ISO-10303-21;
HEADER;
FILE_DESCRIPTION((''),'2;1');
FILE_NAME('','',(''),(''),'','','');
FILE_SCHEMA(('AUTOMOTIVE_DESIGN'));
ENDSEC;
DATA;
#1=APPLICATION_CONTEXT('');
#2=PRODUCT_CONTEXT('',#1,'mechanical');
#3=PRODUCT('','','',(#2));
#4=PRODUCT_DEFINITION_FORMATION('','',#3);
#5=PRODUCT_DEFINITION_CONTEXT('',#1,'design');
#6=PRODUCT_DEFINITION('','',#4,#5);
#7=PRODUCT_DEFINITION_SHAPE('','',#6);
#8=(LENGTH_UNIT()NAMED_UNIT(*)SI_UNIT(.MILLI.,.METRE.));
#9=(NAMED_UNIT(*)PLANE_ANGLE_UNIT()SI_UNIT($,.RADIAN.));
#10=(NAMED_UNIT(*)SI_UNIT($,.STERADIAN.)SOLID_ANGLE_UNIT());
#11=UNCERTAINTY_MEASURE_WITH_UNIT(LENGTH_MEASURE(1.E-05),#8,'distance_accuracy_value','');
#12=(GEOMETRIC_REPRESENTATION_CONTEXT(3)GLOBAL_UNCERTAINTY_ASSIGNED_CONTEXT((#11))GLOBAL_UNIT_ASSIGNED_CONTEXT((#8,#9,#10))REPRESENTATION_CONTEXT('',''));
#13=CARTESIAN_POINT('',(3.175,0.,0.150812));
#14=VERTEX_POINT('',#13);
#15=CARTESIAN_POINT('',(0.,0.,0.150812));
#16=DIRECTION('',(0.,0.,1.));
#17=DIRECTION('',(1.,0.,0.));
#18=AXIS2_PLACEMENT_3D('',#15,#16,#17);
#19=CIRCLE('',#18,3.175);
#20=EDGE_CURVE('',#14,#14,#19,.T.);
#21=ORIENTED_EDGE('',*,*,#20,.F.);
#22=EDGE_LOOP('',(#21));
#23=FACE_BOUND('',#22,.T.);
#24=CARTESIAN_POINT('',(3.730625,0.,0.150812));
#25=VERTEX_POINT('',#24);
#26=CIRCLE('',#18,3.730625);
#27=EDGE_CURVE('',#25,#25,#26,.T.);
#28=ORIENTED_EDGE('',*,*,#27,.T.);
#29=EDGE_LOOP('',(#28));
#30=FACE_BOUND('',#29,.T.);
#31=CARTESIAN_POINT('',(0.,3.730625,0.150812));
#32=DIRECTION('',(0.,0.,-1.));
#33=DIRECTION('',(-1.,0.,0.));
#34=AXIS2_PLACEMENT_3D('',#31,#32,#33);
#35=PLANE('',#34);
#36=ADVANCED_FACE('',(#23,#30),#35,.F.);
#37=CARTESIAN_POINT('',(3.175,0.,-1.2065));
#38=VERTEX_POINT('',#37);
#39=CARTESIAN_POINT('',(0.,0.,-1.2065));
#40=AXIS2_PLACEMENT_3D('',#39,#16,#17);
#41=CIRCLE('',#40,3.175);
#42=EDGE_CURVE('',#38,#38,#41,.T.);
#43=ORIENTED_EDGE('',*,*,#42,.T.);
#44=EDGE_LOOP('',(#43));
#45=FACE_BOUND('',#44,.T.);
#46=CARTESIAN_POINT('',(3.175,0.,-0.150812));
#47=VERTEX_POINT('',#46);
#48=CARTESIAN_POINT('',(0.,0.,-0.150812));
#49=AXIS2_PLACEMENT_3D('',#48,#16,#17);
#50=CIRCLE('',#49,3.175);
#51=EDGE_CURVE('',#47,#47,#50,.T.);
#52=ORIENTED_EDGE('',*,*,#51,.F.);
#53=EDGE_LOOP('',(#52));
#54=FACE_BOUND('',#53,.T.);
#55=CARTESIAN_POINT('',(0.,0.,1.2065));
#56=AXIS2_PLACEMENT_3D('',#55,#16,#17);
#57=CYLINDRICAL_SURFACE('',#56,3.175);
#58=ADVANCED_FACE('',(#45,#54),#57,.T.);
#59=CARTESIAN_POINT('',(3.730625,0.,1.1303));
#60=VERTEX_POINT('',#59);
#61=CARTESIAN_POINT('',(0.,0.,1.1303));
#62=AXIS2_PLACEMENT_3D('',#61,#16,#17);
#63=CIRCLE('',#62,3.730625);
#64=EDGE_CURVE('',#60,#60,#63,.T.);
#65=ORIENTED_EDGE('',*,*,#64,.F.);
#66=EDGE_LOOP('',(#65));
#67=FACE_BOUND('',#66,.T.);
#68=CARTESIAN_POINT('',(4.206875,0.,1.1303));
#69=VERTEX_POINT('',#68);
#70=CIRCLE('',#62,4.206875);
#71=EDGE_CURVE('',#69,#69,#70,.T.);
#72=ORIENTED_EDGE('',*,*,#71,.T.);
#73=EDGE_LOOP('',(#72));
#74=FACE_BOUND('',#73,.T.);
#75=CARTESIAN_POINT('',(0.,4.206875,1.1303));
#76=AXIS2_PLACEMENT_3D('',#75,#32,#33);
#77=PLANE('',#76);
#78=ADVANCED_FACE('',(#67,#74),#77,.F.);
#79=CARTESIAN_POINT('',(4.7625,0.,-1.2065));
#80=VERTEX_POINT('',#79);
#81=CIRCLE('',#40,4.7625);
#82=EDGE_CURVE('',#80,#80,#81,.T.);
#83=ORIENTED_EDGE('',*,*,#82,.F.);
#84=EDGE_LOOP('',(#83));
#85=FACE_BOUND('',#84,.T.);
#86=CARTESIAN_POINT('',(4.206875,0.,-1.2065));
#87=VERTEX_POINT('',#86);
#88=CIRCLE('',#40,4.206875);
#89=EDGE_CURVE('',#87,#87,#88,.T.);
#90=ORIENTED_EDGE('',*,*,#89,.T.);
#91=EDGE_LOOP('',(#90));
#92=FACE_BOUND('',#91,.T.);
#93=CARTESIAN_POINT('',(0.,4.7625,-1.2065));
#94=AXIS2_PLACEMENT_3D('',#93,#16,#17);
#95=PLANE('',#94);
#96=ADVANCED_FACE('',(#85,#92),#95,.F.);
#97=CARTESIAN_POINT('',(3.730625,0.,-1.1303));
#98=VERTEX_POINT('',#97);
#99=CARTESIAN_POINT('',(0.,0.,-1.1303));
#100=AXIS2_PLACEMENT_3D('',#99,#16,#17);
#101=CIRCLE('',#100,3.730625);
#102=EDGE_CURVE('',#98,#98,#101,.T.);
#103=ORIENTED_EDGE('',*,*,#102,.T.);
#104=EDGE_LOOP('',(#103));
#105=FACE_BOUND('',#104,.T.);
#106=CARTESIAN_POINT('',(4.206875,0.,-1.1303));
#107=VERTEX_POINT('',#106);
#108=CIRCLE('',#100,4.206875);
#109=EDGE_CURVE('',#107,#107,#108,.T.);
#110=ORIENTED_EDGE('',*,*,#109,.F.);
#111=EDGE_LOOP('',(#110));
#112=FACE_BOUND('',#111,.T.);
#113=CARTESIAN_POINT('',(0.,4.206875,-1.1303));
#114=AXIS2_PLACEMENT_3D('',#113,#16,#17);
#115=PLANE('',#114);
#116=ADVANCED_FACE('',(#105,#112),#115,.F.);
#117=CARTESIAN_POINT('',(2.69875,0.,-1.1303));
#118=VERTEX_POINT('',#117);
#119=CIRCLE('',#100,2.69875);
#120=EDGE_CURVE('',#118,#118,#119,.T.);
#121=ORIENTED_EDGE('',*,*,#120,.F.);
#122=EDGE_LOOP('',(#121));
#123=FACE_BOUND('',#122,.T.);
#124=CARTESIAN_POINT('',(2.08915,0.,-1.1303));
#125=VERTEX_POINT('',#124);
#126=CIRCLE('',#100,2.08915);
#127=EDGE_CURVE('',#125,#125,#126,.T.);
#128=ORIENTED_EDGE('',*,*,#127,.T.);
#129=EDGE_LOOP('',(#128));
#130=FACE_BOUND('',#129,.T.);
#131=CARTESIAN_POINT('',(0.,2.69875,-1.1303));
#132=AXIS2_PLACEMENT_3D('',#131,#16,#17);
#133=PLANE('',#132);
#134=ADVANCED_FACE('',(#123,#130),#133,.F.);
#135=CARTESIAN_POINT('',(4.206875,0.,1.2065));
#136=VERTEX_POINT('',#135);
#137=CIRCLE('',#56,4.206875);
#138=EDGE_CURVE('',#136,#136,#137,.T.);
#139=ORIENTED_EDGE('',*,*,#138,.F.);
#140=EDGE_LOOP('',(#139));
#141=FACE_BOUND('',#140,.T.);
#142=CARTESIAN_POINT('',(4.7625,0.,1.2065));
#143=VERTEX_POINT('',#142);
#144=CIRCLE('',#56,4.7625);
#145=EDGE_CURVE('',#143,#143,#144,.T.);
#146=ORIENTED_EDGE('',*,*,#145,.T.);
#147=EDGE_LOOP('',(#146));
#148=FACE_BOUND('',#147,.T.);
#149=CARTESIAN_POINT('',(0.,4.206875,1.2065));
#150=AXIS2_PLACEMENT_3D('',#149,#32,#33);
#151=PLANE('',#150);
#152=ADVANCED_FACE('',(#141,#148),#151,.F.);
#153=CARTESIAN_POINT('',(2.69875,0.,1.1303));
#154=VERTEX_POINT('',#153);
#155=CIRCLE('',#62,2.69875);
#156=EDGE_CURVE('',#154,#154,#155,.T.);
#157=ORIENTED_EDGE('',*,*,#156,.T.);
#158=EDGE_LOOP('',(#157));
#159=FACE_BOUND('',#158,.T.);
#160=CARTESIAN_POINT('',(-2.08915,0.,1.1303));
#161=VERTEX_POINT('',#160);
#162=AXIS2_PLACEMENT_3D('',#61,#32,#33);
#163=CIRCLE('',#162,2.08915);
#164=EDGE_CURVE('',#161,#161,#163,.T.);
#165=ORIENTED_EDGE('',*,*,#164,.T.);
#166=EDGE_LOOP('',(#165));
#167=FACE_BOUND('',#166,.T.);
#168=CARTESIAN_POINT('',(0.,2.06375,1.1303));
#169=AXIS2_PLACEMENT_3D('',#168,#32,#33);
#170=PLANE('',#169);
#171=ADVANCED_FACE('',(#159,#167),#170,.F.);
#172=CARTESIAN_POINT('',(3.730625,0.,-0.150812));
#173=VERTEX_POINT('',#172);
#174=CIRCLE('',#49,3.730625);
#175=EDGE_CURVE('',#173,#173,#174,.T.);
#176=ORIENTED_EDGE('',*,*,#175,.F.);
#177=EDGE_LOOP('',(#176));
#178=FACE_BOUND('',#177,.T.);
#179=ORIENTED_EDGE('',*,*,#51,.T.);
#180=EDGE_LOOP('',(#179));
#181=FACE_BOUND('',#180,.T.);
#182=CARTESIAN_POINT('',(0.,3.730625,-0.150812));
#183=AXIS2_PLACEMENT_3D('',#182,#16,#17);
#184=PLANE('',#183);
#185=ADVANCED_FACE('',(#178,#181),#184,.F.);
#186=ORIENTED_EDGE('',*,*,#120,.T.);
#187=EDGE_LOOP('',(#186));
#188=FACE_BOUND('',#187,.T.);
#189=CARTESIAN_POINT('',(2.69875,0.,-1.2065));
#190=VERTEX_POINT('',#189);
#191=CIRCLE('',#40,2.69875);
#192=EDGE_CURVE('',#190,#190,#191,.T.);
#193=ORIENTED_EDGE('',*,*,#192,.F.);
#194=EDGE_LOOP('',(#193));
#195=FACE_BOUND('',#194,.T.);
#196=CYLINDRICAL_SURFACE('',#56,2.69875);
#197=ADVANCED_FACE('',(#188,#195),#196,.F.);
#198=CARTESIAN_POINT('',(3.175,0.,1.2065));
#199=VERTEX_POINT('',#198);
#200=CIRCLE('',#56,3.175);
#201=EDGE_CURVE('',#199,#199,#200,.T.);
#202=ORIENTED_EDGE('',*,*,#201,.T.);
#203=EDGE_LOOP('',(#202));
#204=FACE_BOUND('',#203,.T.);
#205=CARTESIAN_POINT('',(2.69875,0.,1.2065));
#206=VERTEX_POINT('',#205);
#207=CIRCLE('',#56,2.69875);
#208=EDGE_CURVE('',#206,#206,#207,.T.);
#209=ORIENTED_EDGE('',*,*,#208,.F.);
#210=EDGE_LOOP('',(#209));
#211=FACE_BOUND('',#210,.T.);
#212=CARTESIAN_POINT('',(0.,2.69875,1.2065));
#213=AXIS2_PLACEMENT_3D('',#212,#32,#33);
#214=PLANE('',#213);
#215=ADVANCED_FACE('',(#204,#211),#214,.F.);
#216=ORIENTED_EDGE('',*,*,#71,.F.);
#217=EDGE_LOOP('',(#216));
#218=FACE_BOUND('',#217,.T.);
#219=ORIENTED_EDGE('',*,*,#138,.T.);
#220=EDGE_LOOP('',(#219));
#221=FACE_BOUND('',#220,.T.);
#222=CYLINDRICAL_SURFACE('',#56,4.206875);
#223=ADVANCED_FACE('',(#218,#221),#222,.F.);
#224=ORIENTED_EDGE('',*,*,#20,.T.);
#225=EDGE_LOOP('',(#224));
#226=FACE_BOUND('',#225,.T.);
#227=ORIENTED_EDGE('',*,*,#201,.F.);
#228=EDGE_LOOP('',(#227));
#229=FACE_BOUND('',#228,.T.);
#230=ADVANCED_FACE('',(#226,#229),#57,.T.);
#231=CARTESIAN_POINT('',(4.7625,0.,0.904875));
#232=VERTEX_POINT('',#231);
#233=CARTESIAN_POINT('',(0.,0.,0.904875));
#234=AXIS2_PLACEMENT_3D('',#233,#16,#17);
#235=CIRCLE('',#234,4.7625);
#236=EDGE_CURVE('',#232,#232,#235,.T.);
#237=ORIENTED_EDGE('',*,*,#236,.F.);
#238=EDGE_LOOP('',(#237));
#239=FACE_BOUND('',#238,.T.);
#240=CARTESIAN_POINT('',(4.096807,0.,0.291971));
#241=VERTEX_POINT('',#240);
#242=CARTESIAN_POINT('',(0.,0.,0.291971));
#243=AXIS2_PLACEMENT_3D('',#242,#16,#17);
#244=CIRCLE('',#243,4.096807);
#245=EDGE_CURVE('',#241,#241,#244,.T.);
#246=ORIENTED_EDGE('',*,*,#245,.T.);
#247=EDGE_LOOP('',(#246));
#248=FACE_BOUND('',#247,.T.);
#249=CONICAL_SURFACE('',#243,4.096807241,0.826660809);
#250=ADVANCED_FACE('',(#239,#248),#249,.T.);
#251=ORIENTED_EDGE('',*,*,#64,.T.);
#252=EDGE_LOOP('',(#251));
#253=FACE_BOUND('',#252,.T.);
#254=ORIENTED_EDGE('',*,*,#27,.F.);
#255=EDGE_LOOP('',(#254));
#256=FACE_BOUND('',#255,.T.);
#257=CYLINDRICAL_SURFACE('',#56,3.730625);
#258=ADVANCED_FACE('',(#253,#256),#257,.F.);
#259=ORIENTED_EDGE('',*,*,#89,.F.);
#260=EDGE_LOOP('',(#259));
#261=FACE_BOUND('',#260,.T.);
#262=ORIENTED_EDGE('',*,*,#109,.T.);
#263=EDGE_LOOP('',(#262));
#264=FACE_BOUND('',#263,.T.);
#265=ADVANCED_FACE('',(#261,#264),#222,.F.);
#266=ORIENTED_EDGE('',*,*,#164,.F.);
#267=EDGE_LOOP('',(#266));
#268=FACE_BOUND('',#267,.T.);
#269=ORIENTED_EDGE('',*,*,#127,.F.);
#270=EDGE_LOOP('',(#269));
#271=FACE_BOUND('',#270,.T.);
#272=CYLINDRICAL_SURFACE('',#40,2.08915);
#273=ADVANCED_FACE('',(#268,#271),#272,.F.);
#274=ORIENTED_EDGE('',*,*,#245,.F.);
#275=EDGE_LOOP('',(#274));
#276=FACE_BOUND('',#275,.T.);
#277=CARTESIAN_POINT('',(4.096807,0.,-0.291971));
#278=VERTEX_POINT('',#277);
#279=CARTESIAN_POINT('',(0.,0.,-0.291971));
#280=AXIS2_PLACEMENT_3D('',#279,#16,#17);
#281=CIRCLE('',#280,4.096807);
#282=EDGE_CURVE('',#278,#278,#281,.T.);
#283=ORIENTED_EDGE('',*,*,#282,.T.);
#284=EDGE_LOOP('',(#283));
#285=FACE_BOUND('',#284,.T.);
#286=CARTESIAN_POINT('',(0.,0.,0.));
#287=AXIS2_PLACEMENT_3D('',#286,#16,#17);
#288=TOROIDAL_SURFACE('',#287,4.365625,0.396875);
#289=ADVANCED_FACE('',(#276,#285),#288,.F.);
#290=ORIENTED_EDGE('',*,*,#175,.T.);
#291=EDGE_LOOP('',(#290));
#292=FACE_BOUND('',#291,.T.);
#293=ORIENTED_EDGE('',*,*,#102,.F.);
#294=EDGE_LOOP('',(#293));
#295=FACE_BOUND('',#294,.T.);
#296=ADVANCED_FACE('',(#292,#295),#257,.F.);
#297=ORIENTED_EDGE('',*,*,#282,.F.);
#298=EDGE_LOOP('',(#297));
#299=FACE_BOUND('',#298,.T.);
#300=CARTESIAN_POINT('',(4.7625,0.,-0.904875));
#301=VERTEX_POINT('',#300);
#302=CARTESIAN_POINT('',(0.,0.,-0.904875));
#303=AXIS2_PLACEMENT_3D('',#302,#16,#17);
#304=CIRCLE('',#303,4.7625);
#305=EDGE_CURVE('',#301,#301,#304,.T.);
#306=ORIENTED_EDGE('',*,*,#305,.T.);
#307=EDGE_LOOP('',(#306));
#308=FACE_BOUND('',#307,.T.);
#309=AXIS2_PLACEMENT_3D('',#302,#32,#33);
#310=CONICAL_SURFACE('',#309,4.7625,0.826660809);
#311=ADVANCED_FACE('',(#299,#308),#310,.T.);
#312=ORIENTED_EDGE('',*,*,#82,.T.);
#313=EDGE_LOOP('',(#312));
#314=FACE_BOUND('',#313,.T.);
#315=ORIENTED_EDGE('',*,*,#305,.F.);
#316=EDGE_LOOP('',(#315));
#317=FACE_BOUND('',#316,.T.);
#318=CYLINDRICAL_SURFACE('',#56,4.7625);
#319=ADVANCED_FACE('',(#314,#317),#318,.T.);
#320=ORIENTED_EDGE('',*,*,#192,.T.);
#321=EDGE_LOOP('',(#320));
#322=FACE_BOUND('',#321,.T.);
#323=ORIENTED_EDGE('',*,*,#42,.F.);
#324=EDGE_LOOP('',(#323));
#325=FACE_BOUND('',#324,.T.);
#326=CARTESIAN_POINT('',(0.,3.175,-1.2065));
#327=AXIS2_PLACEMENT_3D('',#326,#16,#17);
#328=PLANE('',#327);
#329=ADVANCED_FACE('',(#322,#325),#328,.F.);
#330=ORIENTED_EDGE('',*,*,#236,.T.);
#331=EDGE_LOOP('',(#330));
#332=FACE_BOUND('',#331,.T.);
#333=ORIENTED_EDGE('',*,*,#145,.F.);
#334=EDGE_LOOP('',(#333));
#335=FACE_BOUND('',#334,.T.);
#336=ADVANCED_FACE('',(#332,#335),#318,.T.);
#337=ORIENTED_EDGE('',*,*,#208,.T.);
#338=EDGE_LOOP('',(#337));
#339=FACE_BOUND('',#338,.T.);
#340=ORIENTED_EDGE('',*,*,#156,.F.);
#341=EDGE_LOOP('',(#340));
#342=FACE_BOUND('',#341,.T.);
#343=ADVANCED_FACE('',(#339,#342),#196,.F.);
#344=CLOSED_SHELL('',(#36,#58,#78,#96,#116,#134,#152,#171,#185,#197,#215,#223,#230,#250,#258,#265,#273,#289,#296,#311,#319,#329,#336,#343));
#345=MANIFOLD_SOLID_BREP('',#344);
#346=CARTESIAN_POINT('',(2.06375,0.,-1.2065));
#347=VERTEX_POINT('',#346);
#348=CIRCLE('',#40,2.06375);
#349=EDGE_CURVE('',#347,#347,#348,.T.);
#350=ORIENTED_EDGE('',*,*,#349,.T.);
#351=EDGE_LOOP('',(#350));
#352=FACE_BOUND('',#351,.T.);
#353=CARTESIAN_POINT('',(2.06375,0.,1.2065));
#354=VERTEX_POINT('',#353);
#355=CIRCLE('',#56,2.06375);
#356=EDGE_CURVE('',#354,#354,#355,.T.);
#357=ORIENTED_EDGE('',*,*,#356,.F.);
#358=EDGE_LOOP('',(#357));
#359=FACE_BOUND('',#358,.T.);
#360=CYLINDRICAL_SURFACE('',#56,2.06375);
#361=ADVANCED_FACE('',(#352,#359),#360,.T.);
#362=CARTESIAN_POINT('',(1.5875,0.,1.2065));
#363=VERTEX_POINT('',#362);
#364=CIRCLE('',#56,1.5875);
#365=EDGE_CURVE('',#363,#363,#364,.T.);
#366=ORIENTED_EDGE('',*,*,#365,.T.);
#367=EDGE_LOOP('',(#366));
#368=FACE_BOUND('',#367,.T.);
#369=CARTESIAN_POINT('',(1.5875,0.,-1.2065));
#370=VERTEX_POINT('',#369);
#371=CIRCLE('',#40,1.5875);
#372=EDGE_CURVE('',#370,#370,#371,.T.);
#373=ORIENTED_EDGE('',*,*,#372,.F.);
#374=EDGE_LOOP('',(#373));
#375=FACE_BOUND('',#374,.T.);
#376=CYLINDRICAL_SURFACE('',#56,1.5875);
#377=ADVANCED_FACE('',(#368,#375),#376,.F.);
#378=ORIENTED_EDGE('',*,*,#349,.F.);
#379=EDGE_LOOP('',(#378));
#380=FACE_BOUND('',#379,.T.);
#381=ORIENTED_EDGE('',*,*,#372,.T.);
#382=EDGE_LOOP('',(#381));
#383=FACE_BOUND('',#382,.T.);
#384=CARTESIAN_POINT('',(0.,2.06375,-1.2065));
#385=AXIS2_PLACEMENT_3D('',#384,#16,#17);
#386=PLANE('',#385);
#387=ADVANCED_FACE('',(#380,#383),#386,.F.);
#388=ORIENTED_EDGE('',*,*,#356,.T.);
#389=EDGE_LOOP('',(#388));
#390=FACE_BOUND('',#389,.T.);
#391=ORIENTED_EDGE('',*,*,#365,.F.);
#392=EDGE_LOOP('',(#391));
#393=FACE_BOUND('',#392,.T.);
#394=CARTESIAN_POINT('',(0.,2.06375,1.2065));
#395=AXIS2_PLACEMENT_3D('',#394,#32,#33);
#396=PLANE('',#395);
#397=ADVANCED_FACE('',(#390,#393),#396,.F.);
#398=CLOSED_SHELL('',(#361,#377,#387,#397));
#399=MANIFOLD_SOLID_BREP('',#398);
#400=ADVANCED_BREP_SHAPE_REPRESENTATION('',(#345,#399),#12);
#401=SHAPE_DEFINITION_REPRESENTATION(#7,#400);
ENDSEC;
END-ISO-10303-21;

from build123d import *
from build123d.topology import SkipClean

# Parameters (mm, degrees)
CUT_EXTRUDE_THIN1_DEPTH      = 7.842401242
CUT_EXTRUDE_THIN1_DEPTH_BACK = 7.842401242
SKETCH2_R                    = 2.08915
SKETCH2_R_2                  = 2.06375


with BuildPart() as part:
    # Sketch1 → Revolve1 (revolve)
    with BuildSketch(Plane(origin=(0, 0, 0), x_dir=(0, 0, -1), z_dir=(1, 0, 0))):
        with BuildLine():
            Line((0.904875, 4.7625), (1.2065, 4.7625))
            Line((1.2065, 4.7625), (1.2065, 4.206875))
            Line((1.2065, 4.206875), (1.1303, 4.206875))
            Line((1.1303, 4.206875), (1.1303, 3.730625))
            Line((1.1303, 3.730625), (0.1508125, 3.730625))
            Line((0.1508125, 3.730625), (0.1508125, 3.175))
            Line((0.1508125, 3.175), (1.2065, 3.175))
            Line((1.2065, 3.175), (1.2065, 2.69875))
            Line((1.2065, 2.69875), (1.1303, 2.69875))
            Line((1.1303, 2.69875), (1.1303, 2.06375))
            Line((1.1303, 2.06375), (1.2065, 2.06375))
            Line((1.2065, 2.06375), (1.2065, 1.5875))
            Line((1.2065, 1.5875), (-1.2065, 1.5875))
            Line((-1.2065, 1.5875), (-1.2065, 2.06375))
            Line((-1.2065, 2.06375), (-1.1303, 2.06375))
            Line((-1.1303, 2.06375), (-1.1303, 2.69875))
            Line((-1.1303, 2.69875), (-1.2065, 2.69875))
            Line((-1.2065, 2.69875), (-1.2065, 3.175))
            Line((-1.2065, 3.175), (-0.1508125, 3.175))
            Line((-0.1508125, 3.175), (-0.1508125, 3.730625))
            Line((-0.1508125, 3.730625), (-1.1303, 3.730625))
            Line((-1.1303, 3.730625), (-1.1303, 4.206875))
            Line((-1.1303, 4.206875), (-1.2065, 4.206875))
            Line((-1.2065, 4.206875), (-1.2065, 4.7625))
            Line((-1.2065, 4.7625), (-0.904875, 4.7625))
            Line((-0.904875, 4.7625), (-0.291970509, 4.096807241))
            ThreePointArc((-0.291970509, 4.096807241), (0, 3.96875), (0.291970509, 4.096807241))
            Line((0.291970509, 4.096807241), (0.904875, 4.7625))
        make_face()
    revolve(axis=Axis((0, 0, 1.2065), (0, 0, -1)))

    # Sketch2 → Cut-Extrude-Thin1 (cut, two sides: drawn at the far end of the back side and taken through both)
    with SkipClean():  # the faces are left unmerged after this step: merging them gives an invalid solid
        with BuildSketch(Plane.XY.offset(-CUT_EXTRUDE_THIN1_DEPTH_BACK)):
            Circle(SKETCH2_R)
            Circle(SKETCH2_R_2, mode=Mode.SUBTRACT)
        extrude(amount=CUT_EXTRUDE_THIN1_DEPTH + CUT_EXTRUDE_THIN1_DEPTH_BACK, mode=Mode.SUBTRACT)


with BuildPart() as cut_extrude_thin1_piece_1:
    # of the separate pieces the step leaves, piece 1, a body of its own (cut_extrude_thin1_pieces)
    add(part.part.solids().sort_by_distance((0, 4.096807241, 0.291970509))[0])


with BuildPart() as cut_extrude_thin1_piece_2:
    # of the separate pieces the step leaves, piece 2, a body of its own (cut_extrude_thin1_pieces)
    add(part.part.solids().sort_by_distance((0, 2.06375, 1.2065))[0])


solid = Compound([cut_extrude_thin1_piece_1.part, cut_extrude_thin1_piece_2.part])
